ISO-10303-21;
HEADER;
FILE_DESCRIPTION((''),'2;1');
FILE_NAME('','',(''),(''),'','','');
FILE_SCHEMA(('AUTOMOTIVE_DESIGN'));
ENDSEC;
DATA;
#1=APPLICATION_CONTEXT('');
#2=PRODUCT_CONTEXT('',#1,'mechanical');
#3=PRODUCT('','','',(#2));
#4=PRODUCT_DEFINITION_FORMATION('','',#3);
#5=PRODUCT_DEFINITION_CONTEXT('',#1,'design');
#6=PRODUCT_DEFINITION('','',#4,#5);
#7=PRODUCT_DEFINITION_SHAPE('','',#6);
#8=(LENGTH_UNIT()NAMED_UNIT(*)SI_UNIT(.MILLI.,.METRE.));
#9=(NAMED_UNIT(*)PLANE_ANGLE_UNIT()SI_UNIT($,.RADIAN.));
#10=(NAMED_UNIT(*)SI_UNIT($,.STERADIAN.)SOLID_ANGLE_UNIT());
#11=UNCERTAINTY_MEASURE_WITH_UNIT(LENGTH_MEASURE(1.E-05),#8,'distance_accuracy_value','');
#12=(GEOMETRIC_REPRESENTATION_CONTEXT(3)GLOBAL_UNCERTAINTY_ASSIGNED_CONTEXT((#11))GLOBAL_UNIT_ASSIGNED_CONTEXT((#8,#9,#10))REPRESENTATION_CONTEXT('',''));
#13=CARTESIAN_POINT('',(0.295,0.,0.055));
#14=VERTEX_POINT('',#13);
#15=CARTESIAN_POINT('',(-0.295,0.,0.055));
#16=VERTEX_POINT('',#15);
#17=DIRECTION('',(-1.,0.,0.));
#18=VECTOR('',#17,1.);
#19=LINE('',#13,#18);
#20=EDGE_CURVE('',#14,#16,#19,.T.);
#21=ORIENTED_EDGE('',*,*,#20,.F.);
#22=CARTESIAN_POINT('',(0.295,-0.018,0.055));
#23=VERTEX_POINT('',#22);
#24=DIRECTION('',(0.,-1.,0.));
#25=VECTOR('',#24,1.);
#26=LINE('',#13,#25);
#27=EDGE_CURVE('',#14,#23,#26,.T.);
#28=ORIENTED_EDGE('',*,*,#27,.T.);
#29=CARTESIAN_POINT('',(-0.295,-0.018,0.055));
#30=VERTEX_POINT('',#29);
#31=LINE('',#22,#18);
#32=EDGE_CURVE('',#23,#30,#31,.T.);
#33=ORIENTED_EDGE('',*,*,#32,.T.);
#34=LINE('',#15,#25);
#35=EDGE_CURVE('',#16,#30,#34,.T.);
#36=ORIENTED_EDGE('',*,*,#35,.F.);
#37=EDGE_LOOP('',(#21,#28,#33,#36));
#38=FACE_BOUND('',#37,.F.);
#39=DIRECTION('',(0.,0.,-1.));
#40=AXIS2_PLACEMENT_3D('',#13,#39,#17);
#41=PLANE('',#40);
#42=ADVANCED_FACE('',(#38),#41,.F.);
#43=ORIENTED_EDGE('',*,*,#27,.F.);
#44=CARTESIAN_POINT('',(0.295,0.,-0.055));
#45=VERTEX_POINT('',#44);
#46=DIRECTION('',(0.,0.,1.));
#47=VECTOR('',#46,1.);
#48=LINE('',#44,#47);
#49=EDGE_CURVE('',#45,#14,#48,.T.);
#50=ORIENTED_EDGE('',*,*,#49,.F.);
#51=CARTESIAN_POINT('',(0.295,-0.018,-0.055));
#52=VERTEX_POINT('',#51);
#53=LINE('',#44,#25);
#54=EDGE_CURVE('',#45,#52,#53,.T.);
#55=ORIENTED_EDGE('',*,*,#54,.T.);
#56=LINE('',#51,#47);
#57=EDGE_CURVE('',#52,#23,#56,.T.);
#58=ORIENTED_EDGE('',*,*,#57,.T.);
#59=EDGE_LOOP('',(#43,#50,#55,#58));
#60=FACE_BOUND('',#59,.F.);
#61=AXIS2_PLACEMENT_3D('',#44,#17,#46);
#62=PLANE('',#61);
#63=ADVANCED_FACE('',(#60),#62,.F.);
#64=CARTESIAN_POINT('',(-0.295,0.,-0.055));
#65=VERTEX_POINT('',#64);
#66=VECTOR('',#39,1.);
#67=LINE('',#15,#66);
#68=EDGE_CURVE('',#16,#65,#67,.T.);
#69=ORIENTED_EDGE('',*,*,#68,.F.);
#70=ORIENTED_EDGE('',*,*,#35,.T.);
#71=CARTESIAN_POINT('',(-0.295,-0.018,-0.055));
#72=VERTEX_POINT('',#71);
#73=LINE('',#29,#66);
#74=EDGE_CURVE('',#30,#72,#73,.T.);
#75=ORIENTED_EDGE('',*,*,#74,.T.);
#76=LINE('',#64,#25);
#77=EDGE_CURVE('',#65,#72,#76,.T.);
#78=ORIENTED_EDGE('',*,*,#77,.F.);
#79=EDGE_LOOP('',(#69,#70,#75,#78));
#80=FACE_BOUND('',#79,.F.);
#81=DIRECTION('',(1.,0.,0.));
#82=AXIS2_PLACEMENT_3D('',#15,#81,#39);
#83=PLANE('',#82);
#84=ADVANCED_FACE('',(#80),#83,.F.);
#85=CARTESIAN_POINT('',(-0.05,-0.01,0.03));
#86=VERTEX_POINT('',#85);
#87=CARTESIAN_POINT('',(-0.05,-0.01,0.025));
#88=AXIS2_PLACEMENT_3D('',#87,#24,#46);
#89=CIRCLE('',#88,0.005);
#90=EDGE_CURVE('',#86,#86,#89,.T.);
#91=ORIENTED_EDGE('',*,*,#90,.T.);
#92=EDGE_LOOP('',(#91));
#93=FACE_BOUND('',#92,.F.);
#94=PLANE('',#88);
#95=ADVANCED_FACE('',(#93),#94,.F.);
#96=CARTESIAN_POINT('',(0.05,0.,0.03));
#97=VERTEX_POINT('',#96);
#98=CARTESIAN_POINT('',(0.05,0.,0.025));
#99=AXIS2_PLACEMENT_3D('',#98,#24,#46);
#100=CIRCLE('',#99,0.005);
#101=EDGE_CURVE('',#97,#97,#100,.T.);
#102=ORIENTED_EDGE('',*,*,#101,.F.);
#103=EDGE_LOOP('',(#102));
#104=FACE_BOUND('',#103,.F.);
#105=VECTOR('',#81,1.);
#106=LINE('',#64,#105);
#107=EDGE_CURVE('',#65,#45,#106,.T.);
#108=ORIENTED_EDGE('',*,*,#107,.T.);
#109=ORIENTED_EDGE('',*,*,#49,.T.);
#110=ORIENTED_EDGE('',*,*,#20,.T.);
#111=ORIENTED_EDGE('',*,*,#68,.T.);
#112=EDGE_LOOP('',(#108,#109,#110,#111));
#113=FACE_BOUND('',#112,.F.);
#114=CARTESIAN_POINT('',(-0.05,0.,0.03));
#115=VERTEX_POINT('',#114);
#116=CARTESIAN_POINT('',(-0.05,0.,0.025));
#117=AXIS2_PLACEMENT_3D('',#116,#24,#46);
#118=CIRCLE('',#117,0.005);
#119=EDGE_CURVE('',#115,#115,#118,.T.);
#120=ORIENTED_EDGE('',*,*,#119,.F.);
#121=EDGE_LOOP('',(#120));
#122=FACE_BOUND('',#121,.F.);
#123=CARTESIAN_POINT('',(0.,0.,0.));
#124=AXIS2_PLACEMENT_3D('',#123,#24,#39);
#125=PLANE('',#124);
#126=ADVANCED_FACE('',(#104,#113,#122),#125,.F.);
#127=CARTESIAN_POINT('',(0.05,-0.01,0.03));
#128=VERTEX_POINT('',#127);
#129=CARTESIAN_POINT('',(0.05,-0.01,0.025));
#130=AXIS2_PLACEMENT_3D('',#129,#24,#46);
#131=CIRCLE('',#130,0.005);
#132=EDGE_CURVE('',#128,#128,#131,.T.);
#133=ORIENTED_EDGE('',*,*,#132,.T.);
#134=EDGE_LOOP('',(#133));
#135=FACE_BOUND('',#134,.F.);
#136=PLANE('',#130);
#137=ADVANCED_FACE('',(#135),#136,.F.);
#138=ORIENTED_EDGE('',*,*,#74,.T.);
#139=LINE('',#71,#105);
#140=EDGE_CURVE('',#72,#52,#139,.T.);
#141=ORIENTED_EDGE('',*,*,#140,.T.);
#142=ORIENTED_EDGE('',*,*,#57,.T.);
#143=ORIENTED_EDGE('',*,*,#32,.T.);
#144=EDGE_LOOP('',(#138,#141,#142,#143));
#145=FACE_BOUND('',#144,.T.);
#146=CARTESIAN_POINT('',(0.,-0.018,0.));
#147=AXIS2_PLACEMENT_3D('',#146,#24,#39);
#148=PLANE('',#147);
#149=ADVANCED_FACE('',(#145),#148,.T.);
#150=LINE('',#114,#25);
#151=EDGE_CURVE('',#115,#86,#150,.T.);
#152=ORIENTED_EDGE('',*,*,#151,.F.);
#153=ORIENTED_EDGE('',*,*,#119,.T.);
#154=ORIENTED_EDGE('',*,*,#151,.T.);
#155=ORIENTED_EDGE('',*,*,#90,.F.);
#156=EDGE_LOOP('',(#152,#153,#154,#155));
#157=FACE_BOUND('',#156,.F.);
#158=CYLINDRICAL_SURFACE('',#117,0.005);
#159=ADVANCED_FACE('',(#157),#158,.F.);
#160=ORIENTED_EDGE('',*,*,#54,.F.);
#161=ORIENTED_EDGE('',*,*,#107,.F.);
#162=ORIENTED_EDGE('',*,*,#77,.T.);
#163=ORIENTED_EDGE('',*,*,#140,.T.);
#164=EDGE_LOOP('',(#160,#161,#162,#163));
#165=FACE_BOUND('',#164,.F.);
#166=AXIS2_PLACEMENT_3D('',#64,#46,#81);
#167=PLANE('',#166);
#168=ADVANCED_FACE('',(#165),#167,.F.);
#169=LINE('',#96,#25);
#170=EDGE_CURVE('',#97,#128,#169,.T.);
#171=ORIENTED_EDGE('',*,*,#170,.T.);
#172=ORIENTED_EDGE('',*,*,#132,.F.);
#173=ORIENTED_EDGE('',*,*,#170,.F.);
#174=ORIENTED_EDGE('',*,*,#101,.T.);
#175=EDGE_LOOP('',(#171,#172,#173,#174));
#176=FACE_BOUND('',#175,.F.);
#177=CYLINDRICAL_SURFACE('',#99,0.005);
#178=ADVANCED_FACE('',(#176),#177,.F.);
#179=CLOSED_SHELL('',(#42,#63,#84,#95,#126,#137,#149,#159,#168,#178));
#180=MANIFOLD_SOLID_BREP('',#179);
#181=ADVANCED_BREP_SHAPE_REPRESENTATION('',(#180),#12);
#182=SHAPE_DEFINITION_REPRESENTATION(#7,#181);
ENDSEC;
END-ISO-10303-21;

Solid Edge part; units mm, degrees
sketch "Sketch1" plane through (0, 0, 0) normal (0, -1, 0) x (1, 0, 0)
  line L0 (-0.295, -0.055) -> (0.295, -0.055)
  line L1 (0.295, -0.055) -> (0.295, 0.055)
  line L2 (0.295, 0.055) -> (-0.295, 0.055)
  line L3 (-0.295, 0.055) -> (-0.295, -0.055)
  dimension "D1" = 0.11
  dimension "D2" = 0.59
extrude "Protrusion1" add sketch "Sketch1" along normal blind 0.018
hole "Bohrung_1" at (-0.05, 0, 0.025) direction (0, -1, 0) diameter 0.01 depth 0.01
hole "Hole1" at (0.05, 0, 0.025) direction (0, -1, 0) diameter 0.01 depth 0.01
